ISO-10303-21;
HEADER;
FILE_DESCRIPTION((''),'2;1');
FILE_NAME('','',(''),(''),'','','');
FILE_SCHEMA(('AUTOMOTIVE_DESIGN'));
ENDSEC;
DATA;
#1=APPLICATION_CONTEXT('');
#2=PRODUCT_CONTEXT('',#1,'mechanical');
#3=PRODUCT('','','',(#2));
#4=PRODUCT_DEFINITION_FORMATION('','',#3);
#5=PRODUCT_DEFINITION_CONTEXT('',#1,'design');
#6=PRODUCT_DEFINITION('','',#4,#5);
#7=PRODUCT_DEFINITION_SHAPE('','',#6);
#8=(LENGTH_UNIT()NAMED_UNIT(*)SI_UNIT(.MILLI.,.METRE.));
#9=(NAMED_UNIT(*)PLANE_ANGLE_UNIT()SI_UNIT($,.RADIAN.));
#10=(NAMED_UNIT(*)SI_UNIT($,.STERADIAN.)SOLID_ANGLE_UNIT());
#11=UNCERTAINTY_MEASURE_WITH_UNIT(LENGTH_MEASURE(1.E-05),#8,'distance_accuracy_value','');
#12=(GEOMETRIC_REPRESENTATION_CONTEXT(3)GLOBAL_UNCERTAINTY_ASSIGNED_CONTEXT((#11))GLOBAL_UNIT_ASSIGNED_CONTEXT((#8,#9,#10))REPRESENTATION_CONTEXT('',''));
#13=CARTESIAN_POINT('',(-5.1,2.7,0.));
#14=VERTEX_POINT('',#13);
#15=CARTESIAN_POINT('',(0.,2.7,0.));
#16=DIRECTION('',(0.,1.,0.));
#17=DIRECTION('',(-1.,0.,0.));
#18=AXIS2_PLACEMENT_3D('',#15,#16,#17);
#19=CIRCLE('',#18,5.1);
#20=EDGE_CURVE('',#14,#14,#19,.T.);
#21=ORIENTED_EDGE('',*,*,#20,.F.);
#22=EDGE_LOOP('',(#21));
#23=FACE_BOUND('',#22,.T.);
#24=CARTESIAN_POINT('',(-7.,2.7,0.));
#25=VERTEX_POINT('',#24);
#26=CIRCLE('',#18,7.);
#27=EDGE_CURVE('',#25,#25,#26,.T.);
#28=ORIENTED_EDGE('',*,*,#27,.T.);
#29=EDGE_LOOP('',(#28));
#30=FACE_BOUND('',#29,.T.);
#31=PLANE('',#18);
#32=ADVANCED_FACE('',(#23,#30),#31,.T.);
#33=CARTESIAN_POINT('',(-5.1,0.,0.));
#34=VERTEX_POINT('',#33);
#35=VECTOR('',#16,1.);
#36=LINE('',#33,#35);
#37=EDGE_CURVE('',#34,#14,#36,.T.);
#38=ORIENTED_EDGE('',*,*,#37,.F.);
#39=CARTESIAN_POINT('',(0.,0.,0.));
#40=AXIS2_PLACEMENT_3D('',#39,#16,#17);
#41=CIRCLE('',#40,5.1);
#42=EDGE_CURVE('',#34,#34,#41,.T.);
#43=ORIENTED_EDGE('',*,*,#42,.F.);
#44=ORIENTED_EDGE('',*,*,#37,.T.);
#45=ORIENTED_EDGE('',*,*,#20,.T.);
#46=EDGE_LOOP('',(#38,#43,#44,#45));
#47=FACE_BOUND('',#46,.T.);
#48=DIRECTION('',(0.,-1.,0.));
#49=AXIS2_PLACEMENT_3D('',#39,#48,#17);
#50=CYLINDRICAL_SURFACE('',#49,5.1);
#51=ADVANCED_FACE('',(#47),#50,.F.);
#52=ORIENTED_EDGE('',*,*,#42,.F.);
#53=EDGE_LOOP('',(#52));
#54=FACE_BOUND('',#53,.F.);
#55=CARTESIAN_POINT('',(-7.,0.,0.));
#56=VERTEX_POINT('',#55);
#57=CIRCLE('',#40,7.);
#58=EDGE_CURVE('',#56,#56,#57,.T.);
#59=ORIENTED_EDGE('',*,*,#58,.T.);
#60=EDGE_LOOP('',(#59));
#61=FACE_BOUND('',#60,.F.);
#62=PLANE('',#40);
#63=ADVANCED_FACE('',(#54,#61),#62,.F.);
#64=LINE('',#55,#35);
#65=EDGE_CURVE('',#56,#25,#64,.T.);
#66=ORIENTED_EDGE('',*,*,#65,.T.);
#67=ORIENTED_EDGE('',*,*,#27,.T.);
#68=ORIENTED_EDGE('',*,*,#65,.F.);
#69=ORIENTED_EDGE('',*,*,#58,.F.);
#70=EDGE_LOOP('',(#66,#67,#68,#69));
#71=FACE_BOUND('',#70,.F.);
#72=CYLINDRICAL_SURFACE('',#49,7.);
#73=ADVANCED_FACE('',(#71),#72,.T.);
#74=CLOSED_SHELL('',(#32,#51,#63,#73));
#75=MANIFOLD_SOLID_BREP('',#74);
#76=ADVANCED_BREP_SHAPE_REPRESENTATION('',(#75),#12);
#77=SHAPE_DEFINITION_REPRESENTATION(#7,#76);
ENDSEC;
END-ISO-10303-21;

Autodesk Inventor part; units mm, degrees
ref_plane "YZ Plane" through (0, 0, 0) normal (1, 0, 0) x (0, 1, 0)
ref_plane "XZ Plane" through (0, 0, 0) normal (0, 1, 0) x (-1, 0, 0)
ref_plane "XY Plane" through (0, 0, 0) normal (0, 0, 1) x (1, 0, 0)
sketch "Sketch1" plane through (0, 0, 0) normal (0, 1, 0) x (-1, 0, 0)
  circle A0 centre (0, 0) radius 5.1
  circle A1 centre (0, 0) radius 7
  dimension "d0" = 10.2
  dimension "d1" = 14
extrude "Extrusion1" add sketch "Sketch1" along normal blind 2.7
properties part number "EccentricShaftSpacer"
